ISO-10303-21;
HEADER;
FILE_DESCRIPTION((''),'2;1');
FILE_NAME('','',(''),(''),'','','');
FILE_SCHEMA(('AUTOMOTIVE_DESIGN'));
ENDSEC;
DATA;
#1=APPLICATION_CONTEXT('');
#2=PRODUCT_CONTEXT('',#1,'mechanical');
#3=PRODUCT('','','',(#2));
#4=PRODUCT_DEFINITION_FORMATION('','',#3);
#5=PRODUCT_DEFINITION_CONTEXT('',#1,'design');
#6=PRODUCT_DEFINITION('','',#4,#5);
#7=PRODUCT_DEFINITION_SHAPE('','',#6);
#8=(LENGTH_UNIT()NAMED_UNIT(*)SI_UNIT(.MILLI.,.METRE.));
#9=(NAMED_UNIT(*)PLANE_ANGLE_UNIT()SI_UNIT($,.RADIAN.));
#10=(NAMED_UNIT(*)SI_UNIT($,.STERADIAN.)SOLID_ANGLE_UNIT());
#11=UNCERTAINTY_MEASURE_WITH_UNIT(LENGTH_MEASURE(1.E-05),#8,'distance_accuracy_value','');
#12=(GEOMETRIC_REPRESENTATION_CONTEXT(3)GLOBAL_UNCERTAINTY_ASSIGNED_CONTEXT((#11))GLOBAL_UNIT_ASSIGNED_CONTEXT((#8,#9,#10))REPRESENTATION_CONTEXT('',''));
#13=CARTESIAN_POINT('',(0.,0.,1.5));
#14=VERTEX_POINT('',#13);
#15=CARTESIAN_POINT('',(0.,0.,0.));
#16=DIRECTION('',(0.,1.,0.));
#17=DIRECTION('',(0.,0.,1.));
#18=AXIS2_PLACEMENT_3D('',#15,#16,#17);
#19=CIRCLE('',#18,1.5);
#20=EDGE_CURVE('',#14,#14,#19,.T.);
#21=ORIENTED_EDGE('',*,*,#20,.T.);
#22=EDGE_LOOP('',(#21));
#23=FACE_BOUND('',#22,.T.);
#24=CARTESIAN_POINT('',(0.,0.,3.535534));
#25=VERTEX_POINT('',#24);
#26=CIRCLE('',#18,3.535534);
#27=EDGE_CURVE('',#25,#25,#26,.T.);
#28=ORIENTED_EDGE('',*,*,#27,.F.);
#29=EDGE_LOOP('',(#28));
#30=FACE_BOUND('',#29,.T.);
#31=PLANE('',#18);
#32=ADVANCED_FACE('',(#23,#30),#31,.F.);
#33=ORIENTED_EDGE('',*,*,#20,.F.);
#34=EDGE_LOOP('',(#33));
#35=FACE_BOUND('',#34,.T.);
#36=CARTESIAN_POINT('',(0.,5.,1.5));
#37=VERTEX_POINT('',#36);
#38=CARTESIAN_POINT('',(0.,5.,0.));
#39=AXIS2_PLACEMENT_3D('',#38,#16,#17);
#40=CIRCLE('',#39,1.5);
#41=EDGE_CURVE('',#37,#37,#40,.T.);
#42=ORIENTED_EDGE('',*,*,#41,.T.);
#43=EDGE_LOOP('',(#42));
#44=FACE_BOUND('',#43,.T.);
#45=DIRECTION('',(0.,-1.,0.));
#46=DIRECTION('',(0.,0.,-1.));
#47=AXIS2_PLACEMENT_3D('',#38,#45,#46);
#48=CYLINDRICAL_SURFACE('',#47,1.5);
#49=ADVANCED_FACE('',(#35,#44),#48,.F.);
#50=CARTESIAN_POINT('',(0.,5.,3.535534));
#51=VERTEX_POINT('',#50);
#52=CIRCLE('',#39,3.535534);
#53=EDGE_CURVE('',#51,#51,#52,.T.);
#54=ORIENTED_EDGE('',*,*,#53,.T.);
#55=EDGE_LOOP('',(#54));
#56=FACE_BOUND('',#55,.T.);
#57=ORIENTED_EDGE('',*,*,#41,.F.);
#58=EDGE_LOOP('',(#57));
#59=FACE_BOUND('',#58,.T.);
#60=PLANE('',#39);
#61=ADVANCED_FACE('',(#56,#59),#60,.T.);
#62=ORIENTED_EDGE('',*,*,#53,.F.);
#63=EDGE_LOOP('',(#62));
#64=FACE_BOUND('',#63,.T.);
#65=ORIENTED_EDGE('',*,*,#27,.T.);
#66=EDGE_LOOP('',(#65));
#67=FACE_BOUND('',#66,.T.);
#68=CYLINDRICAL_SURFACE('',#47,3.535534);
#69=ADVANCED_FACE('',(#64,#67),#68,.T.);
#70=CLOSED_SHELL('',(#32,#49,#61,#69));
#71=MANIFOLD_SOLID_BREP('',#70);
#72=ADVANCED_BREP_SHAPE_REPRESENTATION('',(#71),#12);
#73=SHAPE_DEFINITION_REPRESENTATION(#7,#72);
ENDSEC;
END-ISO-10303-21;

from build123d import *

# Parameters (mm, degrees)
SKETCH1_R           = 3.535533906
SKETCH1_R_2         = 1.5
BOSS_EXTRUDE1_DEPTH = 5


with BuildPart() as part:
    # Sketch1 → Boss-Extrude1 (new body)
    with BuildSketch(Plane(origin=(0, 0, 0), x_dir=(1, 0, 0), z_dir=(0, 1, 0))):
        Circle(SKETCH1_R)
        Circle(SKETCH1_R_2, mode=Mode.SUBTRACT)
    extrude(amount=BOSS_EXTRUDE1_DEPTH)


solid = part.part
